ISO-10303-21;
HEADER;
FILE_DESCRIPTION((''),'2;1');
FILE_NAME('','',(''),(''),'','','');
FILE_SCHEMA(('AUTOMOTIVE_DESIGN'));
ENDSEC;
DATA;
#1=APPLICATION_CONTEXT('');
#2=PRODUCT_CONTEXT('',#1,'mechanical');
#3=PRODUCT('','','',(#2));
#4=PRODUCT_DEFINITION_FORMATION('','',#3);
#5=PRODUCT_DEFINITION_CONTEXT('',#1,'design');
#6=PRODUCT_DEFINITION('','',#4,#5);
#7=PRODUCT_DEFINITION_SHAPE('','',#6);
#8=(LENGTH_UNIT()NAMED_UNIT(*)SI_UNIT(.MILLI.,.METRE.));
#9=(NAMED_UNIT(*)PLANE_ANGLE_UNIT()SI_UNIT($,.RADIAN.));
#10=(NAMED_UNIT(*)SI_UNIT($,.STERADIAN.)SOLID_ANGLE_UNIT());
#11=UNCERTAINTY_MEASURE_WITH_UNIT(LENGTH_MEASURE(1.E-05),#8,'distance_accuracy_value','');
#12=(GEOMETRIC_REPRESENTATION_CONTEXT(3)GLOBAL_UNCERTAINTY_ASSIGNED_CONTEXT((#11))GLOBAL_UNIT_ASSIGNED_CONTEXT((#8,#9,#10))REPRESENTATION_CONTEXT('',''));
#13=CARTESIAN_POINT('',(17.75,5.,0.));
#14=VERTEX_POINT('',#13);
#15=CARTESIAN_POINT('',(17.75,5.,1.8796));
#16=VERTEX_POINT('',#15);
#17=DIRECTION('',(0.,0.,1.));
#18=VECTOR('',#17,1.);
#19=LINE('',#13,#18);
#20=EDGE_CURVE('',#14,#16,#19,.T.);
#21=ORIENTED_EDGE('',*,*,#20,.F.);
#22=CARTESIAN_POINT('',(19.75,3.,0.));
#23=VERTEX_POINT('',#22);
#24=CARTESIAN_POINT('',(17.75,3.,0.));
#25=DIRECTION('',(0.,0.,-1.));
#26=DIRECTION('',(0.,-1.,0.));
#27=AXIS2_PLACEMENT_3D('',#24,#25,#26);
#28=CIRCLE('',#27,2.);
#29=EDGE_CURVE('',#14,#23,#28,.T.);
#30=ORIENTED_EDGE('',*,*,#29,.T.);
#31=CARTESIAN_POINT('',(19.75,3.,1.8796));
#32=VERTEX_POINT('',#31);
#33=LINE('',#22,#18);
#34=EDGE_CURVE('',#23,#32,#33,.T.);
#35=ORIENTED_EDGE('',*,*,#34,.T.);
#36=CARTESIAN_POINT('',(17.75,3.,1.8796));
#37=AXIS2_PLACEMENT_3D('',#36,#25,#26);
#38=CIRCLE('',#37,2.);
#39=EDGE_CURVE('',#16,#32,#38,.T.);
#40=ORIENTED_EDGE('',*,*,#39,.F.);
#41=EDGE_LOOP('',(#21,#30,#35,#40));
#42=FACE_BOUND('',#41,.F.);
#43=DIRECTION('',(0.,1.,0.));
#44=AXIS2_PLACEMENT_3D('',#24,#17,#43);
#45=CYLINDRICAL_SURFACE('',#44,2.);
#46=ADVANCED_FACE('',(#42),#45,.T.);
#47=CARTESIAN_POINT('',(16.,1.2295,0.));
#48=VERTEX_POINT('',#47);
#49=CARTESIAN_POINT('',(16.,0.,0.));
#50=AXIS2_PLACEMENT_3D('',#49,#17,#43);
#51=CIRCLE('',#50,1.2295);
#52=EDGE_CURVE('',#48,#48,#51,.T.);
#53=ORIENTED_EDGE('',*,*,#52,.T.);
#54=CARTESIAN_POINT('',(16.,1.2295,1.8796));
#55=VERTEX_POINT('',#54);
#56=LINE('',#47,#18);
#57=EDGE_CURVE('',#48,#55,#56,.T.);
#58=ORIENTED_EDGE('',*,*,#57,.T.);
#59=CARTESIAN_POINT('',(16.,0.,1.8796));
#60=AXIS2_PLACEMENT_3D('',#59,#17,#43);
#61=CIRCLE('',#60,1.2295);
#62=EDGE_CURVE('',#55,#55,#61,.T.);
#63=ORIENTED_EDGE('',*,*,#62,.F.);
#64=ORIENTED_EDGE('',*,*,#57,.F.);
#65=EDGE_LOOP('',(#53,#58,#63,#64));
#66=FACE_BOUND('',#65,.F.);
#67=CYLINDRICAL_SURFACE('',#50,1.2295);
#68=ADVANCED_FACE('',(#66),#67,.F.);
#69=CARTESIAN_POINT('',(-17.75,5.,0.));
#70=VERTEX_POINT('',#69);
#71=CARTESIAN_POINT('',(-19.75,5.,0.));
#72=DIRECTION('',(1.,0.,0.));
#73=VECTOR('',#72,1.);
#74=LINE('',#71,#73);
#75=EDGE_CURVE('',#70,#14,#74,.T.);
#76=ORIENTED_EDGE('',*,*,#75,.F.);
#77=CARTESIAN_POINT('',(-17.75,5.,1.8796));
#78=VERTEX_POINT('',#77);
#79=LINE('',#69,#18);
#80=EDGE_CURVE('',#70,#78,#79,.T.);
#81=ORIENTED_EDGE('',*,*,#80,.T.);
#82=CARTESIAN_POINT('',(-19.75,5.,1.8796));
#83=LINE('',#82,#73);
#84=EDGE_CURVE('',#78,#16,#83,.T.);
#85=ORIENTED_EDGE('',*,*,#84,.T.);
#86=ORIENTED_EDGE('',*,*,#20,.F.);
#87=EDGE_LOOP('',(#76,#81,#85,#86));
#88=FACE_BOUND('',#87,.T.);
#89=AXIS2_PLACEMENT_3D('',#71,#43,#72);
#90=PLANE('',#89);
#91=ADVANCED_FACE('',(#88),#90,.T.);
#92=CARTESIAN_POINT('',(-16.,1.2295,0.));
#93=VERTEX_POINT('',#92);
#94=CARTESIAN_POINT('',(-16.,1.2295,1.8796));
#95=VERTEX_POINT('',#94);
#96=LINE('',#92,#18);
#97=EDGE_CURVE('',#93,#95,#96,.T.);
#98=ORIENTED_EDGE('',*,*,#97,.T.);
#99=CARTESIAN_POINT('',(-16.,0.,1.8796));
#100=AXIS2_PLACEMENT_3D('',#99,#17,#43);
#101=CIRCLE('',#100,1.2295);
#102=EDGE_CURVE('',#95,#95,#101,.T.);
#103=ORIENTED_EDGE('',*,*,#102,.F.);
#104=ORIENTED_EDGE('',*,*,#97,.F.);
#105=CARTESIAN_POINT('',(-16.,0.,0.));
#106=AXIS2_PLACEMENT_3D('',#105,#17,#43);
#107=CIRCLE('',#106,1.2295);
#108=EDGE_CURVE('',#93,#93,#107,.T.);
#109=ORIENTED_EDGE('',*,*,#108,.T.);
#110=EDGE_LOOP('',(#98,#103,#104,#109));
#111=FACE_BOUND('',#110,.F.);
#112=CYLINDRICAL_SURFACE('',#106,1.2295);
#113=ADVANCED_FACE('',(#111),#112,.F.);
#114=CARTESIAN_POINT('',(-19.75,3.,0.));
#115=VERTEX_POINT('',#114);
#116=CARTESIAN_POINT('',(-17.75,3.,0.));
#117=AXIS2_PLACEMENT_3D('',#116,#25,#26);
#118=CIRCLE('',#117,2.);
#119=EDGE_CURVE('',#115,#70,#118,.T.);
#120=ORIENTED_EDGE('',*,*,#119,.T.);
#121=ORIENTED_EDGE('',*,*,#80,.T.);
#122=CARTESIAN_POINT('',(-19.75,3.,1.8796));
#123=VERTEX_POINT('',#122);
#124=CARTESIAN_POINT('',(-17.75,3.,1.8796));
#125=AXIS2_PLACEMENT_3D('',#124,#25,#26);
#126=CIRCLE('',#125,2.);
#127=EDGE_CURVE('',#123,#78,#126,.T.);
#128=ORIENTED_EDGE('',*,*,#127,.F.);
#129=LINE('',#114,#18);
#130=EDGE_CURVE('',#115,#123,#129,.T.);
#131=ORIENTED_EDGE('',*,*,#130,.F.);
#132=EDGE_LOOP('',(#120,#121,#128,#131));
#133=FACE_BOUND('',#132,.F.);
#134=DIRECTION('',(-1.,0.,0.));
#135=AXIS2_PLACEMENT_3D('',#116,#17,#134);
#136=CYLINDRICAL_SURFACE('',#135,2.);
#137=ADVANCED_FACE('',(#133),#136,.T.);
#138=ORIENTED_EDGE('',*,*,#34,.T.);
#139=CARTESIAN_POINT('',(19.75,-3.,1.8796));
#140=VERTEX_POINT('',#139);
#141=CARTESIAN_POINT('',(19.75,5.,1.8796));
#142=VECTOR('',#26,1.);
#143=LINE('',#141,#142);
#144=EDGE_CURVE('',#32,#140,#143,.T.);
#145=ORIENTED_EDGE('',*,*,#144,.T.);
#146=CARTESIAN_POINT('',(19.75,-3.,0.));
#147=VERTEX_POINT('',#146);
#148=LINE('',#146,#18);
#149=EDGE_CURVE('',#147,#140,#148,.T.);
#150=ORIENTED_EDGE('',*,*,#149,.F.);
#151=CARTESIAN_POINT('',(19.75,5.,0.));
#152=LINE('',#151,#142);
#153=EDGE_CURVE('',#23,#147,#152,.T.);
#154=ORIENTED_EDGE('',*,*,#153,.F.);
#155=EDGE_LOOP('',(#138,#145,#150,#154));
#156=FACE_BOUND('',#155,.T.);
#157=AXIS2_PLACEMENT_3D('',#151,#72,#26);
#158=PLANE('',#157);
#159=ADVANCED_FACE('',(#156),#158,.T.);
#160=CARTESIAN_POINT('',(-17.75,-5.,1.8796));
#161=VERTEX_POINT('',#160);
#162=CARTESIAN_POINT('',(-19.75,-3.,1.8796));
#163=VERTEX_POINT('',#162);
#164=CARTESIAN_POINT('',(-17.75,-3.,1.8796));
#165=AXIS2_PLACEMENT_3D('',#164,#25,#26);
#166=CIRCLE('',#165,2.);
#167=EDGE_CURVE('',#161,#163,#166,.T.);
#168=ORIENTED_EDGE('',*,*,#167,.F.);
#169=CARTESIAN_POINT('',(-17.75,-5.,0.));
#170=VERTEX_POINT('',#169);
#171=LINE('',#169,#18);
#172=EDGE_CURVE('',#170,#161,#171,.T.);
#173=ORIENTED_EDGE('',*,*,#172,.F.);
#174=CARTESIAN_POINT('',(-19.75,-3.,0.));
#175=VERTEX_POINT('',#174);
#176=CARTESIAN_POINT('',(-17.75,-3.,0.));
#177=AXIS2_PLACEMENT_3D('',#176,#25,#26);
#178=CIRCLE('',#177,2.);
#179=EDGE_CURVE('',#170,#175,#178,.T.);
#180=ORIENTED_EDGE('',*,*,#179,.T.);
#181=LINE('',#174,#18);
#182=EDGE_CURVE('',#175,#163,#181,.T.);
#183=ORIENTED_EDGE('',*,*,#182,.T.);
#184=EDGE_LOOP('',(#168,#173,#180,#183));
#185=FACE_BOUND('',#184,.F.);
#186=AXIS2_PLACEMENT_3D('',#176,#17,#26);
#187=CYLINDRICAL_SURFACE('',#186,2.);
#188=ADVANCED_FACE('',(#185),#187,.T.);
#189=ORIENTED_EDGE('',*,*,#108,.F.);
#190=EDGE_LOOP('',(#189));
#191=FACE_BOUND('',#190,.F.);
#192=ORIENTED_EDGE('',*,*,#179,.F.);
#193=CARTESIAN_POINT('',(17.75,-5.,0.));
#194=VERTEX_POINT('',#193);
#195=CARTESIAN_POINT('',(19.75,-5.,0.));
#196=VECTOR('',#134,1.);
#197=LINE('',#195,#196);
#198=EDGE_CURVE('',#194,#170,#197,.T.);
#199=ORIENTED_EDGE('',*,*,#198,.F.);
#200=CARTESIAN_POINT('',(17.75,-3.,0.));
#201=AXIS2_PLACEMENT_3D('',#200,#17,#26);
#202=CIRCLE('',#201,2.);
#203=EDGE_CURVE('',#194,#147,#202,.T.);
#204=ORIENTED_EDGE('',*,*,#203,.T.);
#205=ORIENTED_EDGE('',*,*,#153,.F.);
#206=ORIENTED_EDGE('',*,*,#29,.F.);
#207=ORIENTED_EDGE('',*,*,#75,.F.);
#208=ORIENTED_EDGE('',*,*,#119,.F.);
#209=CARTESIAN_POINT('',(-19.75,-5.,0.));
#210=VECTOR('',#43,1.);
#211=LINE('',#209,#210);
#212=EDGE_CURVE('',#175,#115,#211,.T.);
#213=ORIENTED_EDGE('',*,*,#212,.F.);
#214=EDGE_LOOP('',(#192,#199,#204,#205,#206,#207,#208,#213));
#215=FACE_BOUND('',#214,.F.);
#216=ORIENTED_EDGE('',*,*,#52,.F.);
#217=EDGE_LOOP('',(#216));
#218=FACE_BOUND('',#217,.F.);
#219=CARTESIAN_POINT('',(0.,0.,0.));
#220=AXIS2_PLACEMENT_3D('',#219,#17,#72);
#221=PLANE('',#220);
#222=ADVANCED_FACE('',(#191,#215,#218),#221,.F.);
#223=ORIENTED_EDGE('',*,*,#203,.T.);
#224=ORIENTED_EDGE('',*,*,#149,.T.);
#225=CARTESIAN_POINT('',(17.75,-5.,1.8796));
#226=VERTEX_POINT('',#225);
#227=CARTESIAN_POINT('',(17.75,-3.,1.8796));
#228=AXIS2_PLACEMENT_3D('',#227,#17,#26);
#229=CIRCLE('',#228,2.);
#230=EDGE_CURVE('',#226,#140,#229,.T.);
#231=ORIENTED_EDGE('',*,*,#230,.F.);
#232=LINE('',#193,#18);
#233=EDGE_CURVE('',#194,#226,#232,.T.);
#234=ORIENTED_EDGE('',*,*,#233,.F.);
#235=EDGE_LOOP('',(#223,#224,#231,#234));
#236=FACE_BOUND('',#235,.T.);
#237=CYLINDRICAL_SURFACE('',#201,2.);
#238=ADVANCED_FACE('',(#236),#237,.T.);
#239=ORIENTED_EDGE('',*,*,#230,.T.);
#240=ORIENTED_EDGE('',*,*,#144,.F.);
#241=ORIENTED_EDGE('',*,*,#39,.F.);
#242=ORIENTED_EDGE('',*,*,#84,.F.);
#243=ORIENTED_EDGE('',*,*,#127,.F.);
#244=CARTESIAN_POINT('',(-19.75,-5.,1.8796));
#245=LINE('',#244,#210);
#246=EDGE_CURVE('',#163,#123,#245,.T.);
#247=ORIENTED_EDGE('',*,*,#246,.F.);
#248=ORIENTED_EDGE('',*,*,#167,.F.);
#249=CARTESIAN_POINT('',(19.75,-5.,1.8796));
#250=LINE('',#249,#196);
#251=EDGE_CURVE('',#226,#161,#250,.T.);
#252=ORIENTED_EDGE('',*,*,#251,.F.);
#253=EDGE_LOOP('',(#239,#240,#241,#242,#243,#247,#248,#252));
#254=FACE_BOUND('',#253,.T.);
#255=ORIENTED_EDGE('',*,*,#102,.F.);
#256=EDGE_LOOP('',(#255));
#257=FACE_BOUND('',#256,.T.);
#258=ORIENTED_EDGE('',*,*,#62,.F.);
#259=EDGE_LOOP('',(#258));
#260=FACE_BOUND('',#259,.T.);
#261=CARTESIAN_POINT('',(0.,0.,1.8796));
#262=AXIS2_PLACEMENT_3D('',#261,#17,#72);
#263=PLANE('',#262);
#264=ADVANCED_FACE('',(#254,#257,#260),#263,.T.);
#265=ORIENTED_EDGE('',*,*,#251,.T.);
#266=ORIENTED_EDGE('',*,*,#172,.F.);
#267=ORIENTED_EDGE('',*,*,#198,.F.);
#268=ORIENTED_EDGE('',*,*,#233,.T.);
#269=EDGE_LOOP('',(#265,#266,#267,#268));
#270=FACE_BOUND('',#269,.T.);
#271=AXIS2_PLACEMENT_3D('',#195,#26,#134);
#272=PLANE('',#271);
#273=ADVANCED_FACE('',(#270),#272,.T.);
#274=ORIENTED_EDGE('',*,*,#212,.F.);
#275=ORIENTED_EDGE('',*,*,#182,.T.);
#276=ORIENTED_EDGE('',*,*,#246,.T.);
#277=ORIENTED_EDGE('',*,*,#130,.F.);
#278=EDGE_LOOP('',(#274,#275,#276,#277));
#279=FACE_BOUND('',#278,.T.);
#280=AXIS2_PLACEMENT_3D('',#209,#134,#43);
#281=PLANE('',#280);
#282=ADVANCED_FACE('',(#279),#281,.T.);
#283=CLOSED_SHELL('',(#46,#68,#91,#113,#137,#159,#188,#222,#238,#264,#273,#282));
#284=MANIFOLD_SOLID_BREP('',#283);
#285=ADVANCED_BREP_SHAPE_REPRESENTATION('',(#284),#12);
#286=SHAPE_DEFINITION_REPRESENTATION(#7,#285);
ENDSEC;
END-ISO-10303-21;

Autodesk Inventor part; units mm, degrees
ref_plane "YZ Plane" through (0, 0, 0) normal (1, 0, 0) x (0, 1, 0)
ref_plane "XZ Plane" through (0, 0, 0) normal (0, 1, 0) x (-1, 0, 0)
ref_plane "XY Plane" through (0, 0, 0) normal (0, 0, 1) x (1, 0, 0)
sketch "Sketch1" plane through (0, 0, 0) normal (0, 0, 1) x (1, 0, 0)
  line L0 (19.75, -5) -> (-19.75, -5)
  line L1 (-19.75, -5) -> (-19.75, 5)
  line L2 (-19.75, 5) -> (19.75, 5)
  line L3 (19.75, 5) -> (19.75, -5)
  line L4 (19.75, -5) -> (-19.75, 5) construction
  line L5 (-19.75, -5) -> (19.75, 5) construction
  line L6 (16, 0) -> (-16, 0) construction
  point P0 (0, 0)
  point P1 (0, 5)
  point P2 (0, 0)
  dimension "d0" = 39.5
  dimension "d1" = 10
  dimension "d6" = 32
extrude "Extrusion1" add sketch "Sketch1" along normal blind 1.8796
fillet "Fillet1" radius 2 4 edges at (-19.75, 5, 0.9398) (-19.75, -5, 0.9398) (19.75, -5, 0.9398) (19.75, 5, 0.9398)
hole "Hole1" at (16, 0, 0) at (-16, 0, 0) direction (0, 0, 1) diameter 2.459 end through all thread size "M3x0.5" class "6H" standard "ANSI Metric M Profile"
properties part number "Cowling Magnetic Catch" material "Steel, Carbon"
